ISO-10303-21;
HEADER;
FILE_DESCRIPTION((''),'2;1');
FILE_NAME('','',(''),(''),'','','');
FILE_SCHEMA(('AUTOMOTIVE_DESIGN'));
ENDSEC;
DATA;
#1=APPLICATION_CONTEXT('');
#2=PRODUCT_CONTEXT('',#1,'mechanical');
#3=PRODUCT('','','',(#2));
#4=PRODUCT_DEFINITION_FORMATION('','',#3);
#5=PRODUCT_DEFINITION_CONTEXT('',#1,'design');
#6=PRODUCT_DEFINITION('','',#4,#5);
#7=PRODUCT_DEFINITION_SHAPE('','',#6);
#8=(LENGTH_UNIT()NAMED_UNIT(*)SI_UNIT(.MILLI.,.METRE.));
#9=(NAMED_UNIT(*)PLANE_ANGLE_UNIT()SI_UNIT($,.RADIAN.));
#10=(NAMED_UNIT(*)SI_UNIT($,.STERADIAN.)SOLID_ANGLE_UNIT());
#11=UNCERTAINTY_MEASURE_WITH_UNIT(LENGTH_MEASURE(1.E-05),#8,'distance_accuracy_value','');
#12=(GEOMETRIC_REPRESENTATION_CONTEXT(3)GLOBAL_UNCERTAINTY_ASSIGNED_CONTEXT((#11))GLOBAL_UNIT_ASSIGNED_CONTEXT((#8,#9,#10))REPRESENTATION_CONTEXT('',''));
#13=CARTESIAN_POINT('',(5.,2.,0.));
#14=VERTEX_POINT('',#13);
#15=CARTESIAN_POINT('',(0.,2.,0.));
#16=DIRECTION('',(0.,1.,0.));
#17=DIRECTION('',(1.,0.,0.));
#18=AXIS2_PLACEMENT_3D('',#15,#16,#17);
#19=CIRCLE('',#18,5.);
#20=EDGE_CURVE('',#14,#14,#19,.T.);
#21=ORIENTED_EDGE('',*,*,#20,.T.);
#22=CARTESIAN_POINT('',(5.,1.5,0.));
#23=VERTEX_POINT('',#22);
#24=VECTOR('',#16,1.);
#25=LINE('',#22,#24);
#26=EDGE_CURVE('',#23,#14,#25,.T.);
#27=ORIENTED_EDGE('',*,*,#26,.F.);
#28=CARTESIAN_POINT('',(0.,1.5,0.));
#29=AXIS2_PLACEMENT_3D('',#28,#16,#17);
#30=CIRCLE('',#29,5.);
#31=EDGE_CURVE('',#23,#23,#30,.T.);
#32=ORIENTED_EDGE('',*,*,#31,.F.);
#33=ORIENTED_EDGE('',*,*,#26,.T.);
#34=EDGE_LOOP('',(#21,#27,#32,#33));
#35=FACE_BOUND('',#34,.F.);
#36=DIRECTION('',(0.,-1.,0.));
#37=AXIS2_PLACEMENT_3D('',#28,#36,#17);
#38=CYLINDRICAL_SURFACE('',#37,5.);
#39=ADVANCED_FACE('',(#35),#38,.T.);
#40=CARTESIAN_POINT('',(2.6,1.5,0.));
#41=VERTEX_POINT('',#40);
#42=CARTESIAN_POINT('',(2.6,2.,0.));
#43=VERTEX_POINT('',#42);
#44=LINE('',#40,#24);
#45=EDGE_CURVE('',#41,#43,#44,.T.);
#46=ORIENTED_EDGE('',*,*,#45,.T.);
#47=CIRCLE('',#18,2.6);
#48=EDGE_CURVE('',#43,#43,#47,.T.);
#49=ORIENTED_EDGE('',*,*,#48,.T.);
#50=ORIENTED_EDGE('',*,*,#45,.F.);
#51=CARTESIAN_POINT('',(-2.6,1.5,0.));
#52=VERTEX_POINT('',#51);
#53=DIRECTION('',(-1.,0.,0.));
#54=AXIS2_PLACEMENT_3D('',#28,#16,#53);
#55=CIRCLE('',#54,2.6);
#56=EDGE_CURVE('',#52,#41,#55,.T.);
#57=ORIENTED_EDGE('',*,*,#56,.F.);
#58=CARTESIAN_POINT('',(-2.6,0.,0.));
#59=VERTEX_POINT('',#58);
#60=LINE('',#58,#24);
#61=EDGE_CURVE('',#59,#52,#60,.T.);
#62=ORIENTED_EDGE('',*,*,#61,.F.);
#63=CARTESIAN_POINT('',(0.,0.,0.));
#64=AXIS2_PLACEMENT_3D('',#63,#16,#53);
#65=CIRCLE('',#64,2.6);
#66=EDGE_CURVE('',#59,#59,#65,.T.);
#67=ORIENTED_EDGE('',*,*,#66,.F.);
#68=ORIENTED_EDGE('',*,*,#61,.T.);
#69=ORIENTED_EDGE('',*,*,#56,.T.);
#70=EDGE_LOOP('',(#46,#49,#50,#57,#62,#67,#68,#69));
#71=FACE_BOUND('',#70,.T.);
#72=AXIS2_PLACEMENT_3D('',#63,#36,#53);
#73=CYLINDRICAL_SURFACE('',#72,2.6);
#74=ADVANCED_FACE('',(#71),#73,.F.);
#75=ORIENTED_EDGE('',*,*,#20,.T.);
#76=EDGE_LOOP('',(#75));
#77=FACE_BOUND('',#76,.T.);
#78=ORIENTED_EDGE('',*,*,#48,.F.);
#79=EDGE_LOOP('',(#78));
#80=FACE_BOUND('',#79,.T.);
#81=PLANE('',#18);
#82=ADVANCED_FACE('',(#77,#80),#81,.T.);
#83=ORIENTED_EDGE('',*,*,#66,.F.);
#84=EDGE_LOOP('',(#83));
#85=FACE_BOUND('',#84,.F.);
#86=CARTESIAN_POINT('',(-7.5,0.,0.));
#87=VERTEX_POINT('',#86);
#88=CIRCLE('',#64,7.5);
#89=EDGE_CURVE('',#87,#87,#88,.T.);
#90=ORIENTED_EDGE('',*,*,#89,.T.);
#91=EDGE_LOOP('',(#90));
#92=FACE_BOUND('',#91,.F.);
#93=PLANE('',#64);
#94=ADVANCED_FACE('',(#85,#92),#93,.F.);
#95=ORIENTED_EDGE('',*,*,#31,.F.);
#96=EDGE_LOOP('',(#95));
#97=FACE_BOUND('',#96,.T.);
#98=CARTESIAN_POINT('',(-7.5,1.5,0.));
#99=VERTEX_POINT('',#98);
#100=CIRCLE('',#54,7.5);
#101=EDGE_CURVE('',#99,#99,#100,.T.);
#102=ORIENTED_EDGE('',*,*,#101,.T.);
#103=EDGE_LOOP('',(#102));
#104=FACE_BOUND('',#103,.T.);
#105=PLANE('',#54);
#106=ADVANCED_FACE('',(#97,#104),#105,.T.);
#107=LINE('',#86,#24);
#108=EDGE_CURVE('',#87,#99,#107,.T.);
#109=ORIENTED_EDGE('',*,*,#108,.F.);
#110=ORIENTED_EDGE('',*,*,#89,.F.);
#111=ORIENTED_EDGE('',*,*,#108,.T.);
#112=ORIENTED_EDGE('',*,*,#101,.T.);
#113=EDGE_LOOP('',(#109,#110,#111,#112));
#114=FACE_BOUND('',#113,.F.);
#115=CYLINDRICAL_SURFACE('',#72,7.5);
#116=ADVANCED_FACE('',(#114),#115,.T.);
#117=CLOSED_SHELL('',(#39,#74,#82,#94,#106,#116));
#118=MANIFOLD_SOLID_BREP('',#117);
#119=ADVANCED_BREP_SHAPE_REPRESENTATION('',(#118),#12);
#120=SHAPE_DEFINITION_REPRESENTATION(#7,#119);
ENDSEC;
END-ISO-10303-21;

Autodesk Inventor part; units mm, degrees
ref_plane "YZ Plane" through (0, 0, 0) normal (1, 0, 0) x (0, 1, 0)
ref_plane "XZ Plane" through (0, 0, 0) normal (0, 1, 0) x (-1, 0, 0)
ref_plane "XY Plane" through (0, 0, 0) normal (0, 0, 1) x (1, 0, 0)
sketch "Sketch1" plane through (0, 0, 0) normal (0, 1, 0) x (-1, 0, 0)
  circle A0 centre (0, 0) radius 7.5
  circle A1 centre (0, 0) radius 2.6
  dimension "d0" = 15
  dimension "d1" = 5.2
extrude "Extrusion1" add sketch "Sketch1" along normal blind 1.5
sketch "Sketch2" plane through (0, 1.5, 0) normal (0, 1, 0) x (1, 0, 0)
  circle A0 centre (0, 0) radius 2.6 projected
  circle A1 centre (0, 0) radius 5
  dimension "d4" = 10
extrude "Extrusion2" add sketch "Sketch2" along normal blind 0.5
properties part number "Pulley_mount"
